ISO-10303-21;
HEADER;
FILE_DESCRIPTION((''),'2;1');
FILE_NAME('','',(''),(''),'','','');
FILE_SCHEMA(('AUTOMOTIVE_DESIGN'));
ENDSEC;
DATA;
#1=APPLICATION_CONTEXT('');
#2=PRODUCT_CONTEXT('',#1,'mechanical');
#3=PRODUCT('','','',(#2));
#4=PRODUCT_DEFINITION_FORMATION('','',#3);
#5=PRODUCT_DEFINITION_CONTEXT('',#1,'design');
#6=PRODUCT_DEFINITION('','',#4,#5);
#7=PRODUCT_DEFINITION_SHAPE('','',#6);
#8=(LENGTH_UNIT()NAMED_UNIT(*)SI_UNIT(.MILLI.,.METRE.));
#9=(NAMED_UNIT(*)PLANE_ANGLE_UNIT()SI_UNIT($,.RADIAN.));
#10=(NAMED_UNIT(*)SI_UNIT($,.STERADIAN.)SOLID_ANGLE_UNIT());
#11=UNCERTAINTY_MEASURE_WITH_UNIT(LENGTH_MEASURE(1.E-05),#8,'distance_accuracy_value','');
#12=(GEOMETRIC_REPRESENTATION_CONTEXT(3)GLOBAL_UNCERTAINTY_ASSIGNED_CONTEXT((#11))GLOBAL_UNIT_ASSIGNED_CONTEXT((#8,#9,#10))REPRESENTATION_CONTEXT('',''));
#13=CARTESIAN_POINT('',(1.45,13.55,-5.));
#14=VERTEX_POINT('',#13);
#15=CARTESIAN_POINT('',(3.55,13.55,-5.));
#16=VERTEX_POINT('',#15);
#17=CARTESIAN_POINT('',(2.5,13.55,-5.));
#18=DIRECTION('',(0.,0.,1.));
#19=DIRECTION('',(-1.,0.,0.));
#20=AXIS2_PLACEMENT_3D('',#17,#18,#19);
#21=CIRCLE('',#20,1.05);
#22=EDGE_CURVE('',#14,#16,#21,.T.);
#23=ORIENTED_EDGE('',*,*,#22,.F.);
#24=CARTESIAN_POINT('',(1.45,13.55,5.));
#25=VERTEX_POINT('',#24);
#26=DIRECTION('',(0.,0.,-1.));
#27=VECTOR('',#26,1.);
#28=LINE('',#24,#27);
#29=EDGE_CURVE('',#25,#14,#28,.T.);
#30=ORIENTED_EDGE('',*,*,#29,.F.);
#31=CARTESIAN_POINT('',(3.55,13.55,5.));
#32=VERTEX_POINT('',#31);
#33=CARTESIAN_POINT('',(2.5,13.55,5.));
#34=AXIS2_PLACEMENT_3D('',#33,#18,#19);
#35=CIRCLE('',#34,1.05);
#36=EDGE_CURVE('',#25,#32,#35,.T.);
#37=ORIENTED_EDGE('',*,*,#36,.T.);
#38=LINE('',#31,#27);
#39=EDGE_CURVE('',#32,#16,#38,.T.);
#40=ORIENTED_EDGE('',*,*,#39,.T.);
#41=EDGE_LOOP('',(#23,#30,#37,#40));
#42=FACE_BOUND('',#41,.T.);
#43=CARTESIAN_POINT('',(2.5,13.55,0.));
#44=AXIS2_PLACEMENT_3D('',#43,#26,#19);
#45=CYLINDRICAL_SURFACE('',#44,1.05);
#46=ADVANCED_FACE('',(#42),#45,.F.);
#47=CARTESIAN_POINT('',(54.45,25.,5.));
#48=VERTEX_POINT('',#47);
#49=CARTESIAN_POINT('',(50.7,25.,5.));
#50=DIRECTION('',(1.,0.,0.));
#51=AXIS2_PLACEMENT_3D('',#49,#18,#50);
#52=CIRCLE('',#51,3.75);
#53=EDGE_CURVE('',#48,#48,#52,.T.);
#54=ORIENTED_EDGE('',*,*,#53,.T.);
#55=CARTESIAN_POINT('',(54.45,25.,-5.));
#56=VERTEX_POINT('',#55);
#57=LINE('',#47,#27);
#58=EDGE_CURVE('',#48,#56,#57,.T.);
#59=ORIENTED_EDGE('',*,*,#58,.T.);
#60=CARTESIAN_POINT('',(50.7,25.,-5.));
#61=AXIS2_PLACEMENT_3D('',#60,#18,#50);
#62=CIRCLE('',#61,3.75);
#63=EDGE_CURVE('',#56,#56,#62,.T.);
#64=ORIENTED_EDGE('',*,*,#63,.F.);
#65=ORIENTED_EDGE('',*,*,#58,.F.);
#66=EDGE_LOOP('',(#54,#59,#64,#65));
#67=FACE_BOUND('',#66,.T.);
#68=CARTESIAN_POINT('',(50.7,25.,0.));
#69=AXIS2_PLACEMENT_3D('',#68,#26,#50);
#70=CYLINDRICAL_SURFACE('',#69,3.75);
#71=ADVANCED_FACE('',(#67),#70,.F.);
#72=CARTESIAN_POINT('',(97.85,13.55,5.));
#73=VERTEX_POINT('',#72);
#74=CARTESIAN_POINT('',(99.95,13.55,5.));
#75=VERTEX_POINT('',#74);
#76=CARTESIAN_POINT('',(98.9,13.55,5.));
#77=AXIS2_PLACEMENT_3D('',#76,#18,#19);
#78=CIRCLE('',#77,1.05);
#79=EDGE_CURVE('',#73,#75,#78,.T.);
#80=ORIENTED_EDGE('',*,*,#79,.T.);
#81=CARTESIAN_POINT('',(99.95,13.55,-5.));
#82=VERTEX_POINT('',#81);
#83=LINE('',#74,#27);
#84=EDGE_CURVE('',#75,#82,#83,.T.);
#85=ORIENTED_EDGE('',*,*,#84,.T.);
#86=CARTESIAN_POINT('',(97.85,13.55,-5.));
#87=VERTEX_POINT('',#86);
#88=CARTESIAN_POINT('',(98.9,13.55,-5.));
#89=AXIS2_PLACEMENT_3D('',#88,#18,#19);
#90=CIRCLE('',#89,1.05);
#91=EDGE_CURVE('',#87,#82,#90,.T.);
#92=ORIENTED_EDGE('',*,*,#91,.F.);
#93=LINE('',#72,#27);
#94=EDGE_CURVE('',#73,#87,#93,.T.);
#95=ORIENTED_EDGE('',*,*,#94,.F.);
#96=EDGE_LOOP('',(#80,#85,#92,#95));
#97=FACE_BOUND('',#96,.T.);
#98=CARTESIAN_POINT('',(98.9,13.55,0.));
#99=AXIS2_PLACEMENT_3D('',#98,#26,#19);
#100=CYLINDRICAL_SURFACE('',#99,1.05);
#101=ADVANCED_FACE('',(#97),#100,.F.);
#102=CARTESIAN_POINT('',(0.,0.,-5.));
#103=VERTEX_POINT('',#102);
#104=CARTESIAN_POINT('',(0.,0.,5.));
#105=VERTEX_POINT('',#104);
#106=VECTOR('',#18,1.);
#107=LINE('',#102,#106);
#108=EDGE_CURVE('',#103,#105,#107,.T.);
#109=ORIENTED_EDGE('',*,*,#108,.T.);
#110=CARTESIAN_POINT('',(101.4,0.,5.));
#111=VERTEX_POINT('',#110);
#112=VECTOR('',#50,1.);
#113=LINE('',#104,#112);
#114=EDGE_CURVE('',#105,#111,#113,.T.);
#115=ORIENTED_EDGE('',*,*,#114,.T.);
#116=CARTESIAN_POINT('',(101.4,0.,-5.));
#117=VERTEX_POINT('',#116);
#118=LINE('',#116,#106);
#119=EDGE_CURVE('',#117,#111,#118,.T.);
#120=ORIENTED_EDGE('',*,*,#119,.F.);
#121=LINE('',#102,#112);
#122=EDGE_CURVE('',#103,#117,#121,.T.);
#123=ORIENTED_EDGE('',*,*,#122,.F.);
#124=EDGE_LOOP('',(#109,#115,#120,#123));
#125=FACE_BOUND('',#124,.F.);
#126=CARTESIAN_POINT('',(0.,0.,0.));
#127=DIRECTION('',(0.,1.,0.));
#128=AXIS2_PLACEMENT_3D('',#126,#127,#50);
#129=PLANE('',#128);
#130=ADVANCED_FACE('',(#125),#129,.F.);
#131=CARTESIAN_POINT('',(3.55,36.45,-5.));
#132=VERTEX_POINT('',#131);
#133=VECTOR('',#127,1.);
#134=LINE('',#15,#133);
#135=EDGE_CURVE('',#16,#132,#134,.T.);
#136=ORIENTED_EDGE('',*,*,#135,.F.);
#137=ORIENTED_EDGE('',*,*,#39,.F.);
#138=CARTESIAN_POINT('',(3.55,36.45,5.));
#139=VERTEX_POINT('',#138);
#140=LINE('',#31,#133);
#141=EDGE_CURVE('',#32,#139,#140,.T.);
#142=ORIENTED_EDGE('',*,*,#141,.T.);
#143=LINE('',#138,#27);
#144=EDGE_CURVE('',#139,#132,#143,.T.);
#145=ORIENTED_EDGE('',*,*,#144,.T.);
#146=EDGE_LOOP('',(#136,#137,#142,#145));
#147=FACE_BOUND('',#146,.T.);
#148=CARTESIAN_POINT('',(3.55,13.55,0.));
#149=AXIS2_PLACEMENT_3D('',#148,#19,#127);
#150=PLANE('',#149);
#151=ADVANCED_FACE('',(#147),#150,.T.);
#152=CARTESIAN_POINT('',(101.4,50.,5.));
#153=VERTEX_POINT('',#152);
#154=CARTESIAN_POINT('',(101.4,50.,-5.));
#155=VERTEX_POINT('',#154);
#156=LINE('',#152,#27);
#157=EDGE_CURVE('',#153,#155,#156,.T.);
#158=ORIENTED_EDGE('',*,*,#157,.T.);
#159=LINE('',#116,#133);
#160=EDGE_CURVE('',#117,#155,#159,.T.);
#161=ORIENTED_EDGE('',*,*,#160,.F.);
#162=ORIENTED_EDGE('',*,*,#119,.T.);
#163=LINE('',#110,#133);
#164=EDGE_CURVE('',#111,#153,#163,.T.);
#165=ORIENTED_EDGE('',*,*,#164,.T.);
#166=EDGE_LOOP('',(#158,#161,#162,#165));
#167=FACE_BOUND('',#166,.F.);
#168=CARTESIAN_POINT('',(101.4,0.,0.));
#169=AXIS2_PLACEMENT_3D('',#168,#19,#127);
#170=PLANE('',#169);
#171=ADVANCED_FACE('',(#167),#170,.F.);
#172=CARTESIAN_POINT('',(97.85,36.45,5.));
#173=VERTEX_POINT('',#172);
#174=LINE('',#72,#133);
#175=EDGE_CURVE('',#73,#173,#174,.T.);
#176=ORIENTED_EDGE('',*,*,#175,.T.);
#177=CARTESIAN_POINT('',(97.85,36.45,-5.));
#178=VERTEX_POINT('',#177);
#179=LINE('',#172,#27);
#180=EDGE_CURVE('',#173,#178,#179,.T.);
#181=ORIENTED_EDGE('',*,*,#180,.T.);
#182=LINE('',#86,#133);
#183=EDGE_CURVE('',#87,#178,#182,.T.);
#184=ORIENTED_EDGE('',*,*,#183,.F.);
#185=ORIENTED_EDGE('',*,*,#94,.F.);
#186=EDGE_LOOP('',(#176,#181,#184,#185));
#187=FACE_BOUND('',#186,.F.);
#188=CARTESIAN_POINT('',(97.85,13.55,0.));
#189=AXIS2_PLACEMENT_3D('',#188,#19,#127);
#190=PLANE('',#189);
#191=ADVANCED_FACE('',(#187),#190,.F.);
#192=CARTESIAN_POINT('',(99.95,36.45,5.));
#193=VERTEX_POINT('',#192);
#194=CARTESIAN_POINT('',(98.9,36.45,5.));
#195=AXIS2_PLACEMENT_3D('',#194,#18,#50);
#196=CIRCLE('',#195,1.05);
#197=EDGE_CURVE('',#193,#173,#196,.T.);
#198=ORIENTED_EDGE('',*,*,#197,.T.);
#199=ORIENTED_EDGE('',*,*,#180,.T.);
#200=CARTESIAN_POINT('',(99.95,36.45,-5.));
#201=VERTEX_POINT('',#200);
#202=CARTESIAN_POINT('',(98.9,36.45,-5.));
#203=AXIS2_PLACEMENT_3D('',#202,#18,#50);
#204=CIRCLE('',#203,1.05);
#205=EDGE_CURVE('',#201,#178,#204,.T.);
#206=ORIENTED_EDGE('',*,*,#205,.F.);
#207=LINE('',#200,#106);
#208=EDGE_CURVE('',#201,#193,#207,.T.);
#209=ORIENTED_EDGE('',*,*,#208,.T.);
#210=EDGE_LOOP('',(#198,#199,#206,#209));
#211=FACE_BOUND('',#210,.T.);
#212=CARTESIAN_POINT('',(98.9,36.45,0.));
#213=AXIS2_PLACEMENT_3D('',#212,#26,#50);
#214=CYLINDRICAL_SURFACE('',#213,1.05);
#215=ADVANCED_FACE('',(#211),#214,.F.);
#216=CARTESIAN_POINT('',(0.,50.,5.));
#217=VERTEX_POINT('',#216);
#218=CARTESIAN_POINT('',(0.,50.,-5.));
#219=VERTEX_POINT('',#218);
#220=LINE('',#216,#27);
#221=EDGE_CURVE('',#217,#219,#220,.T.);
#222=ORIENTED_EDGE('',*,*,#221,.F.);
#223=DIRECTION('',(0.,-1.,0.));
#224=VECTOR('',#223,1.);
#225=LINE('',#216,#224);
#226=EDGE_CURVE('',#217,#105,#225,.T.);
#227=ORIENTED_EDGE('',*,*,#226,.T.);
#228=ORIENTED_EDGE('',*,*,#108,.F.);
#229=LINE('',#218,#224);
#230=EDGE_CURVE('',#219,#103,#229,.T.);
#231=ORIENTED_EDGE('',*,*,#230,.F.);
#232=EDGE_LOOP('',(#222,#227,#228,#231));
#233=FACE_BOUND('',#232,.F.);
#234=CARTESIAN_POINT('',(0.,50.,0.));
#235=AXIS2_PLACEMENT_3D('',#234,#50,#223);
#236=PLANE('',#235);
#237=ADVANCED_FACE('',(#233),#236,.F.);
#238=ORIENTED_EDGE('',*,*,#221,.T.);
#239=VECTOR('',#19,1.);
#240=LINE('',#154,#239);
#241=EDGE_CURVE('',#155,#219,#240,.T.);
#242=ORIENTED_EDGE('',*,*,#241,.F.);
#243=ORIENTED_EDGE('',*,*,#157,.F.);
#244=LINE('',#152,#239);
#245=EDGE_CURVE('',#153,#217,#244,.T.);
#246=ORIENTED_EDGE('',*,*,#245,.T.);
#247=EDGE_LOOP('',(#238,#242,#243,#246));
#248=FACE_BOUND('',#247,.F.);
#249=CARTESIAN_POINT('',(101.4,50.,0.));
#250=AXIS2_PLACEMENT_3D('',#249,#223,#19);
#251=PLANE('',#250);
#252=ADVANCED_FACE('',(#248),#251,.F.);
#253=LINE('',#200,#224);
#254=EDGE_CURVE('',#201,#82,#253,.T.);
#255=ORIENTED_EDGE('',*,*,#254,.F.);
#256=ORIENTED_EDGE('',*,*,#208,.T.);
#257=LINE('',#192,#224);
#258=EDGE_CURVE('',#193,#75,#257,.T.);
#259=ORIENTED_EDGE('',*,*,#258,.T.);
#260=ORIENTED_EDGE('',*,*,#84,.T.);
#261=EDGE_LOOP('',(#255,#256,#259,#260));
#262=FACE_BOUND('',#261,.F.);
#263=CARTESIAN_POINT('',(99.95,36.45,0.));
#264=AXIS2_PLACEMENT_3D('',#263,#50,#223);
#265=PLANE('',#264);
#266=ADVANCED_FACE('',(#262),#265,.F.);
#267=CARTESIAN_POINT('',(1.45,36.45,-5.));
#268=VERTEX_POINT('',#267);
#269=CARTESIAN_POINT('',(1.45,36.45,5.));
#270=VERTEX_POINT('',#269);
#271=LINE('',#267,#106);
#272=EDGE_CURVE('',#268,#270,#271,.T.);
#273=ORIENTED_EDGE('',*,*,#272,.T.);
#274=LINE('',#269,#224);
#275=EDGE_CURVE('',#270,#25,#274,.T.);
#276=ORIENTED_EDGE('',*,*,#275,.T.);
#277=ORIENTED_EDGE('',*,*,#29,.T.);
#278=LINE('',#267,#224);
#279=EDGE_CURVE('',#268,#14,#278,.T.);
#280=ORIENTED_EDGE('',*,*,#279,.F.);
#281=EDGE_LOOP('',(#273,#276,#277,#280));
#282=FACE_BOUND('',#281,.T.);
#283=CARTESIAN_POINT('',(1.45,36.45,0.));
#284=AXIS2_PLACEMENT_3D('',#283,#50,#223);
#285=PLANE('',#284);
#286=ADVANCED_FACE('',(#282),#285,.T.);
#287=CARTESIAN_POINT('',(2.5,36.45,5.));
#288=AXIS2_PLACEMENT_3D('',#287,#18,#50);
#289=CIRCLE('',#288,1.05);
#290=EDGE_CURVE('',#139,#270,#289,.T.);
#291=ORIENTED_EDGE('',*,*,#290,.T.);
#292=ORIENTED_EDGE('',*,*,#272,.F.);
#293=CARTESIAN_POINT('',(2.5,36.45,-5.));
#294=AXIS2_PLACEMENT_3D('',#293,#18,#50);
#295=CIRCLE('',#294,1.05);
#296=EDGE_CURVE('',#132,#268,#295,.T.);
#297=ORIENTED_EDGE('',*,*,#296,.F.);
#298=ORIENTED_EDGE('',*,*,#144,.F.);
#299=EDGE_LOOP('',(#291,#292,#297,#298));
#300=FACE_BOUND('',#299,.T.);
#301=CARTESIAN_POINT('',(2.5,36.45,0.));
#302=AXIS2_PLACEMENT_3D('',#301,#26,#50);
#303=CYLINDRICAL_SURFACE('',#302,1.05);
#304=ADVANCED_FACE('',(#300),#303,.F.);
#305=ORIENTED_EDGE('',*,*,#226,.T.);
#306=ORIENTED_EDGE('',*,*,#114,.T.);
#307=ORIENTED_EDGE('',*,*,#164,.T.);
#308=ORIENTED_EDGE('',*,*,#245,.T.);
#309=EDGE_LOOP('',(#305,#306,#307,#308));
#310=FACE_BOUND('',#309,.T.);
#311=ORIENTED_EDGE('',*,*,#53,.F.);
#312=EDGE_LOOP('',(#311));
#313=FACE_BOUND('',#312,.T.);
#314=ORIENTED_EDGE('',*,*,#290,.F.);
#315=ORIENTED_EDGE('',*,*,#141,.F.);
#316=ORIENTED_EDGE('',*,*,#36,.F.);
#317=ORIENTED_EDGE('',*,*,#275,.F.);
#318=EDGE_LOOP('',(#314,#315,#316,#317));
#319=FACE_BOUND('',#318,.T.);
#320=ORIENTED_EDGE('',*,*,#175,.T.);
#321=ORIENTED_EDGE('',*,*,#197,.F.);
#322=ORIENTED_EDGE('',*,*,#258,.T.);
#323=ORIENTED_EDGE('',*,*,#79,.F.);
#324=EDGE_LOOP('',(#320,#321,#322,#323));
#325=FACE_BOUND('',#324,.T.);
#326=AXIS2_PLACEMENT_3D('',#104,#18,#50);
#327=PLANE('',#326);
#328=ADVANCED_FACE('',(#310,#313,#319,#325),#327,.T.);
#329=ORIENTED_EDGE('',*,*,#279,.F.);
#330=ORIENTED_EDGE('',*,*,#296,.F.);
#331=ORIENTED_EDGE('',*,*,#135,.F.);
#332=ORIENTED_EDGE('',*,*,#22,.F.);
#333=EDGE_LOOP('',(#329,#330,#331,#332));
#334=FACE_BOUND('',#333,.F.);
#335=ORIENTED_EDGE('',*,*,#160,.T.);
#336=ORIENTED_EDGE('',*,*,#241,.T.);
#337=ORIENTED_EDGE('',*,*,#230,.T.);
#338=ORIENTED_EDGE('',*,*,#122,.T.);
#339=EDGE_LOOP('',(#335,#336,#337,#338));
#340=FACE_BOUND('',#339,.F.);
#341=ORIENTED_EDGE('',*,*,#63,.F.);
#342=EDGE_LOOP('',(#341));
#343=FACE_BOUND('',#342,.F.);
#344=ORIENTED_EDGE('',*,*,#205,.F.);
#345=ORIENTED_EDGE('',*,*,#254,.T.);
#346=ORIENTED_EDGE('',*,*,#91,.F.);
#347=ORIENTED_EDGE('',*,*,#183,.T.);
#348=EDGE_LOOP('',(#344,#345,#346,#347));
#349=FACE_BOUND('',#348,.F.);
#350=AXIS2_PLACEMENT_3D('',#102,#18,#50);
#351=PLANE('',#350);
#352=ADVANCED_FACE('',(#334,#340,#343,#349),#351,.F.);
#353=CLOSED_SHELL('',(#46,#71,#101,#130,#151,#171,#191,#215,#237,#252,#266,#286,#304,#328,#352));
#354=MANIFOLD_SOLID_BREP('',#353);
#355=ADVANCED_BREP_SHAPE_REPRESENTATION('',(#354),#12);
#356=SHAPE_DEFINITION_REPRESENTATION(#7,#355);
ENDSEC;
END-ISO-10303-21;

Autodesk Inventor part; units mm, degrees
ref_plane "YZ Plane" through (0, 0, 0) normal (1, 0, 0) x (0, 1, 0)
ref_plane "XZ Plane" through (0, 0, 0) normal (0, 1, 0) x (-1, 0, 0)
ref_plane "XY Plane" through (0, 0, 0) normal (0, 0, 1) x (1, 0, 0)
sketch "Sketch1" plane through (0, 0, 0) normal (0, 0, 1) x (1, 0, 0)
  line L0 (0, 0) -> (101.4, 0)
  line L1 (101.4, 0) -> (101.4, 50)
  line L2 (101.4, 50) -> (0, 50)
  line L3 (0, 50) -> (0, 0)
  circle A0 centre (50.7, 25) radius 3.75
  line L4 (2.5, 36.45) -> (2.5, 13.55) construction
  line L5 (1.45, 36.45) -> (1.45, 13.55)
  line L6 (3.55, 13.55) -> (3.55, 36.45)
  arc A1 (3.55, 36.45) -> (1.45, 36.45) centre (2.5, 36.45) ccw
  arc A2 (1.45, 13.55) -> (3.55, 13.55) centre (2.5, 13.55) ccw
  line L7 (101.4, 50) -> (101.4, 0)
  line L8 (98.9, 36.45) -> (98.9, 13.55) construction
  line L9 (99.95, 36.45) -> (99.95, 13.55)
  line L10 (97.85, 13.55) -> (97.85, 36.45)
  arc A3 (99.95, 36.45) -> (97.85, 36.45) centre (98.9, 36.45) ccw
  arc A4 (97.85, 13.55) -> (99.95, 13.55) centre (98.9, 13.55) ccw
  point P0 (2.5, 25)
  point P1 (2.5, 12.5)
  point P2 (2.5, 37.5)
  point P3 (98.9, 25)
  point P4 (98.9, 12.5)
  point P5 (98.9, 37.5)
  point P6 (98.9, 25)
  dimension "d2" = 101.4
  dimension "d3" = 50
  dimension "d23" = 7.5
  dimension "d24" = 25
  dimension "d26" = 2.1
  dimension "d28" = 25
  dimension "d29" = 25
  dimension "d31" = 2.5
extrude "Extrusion1" add sketch "Sketch1" along normal mid plane 10
